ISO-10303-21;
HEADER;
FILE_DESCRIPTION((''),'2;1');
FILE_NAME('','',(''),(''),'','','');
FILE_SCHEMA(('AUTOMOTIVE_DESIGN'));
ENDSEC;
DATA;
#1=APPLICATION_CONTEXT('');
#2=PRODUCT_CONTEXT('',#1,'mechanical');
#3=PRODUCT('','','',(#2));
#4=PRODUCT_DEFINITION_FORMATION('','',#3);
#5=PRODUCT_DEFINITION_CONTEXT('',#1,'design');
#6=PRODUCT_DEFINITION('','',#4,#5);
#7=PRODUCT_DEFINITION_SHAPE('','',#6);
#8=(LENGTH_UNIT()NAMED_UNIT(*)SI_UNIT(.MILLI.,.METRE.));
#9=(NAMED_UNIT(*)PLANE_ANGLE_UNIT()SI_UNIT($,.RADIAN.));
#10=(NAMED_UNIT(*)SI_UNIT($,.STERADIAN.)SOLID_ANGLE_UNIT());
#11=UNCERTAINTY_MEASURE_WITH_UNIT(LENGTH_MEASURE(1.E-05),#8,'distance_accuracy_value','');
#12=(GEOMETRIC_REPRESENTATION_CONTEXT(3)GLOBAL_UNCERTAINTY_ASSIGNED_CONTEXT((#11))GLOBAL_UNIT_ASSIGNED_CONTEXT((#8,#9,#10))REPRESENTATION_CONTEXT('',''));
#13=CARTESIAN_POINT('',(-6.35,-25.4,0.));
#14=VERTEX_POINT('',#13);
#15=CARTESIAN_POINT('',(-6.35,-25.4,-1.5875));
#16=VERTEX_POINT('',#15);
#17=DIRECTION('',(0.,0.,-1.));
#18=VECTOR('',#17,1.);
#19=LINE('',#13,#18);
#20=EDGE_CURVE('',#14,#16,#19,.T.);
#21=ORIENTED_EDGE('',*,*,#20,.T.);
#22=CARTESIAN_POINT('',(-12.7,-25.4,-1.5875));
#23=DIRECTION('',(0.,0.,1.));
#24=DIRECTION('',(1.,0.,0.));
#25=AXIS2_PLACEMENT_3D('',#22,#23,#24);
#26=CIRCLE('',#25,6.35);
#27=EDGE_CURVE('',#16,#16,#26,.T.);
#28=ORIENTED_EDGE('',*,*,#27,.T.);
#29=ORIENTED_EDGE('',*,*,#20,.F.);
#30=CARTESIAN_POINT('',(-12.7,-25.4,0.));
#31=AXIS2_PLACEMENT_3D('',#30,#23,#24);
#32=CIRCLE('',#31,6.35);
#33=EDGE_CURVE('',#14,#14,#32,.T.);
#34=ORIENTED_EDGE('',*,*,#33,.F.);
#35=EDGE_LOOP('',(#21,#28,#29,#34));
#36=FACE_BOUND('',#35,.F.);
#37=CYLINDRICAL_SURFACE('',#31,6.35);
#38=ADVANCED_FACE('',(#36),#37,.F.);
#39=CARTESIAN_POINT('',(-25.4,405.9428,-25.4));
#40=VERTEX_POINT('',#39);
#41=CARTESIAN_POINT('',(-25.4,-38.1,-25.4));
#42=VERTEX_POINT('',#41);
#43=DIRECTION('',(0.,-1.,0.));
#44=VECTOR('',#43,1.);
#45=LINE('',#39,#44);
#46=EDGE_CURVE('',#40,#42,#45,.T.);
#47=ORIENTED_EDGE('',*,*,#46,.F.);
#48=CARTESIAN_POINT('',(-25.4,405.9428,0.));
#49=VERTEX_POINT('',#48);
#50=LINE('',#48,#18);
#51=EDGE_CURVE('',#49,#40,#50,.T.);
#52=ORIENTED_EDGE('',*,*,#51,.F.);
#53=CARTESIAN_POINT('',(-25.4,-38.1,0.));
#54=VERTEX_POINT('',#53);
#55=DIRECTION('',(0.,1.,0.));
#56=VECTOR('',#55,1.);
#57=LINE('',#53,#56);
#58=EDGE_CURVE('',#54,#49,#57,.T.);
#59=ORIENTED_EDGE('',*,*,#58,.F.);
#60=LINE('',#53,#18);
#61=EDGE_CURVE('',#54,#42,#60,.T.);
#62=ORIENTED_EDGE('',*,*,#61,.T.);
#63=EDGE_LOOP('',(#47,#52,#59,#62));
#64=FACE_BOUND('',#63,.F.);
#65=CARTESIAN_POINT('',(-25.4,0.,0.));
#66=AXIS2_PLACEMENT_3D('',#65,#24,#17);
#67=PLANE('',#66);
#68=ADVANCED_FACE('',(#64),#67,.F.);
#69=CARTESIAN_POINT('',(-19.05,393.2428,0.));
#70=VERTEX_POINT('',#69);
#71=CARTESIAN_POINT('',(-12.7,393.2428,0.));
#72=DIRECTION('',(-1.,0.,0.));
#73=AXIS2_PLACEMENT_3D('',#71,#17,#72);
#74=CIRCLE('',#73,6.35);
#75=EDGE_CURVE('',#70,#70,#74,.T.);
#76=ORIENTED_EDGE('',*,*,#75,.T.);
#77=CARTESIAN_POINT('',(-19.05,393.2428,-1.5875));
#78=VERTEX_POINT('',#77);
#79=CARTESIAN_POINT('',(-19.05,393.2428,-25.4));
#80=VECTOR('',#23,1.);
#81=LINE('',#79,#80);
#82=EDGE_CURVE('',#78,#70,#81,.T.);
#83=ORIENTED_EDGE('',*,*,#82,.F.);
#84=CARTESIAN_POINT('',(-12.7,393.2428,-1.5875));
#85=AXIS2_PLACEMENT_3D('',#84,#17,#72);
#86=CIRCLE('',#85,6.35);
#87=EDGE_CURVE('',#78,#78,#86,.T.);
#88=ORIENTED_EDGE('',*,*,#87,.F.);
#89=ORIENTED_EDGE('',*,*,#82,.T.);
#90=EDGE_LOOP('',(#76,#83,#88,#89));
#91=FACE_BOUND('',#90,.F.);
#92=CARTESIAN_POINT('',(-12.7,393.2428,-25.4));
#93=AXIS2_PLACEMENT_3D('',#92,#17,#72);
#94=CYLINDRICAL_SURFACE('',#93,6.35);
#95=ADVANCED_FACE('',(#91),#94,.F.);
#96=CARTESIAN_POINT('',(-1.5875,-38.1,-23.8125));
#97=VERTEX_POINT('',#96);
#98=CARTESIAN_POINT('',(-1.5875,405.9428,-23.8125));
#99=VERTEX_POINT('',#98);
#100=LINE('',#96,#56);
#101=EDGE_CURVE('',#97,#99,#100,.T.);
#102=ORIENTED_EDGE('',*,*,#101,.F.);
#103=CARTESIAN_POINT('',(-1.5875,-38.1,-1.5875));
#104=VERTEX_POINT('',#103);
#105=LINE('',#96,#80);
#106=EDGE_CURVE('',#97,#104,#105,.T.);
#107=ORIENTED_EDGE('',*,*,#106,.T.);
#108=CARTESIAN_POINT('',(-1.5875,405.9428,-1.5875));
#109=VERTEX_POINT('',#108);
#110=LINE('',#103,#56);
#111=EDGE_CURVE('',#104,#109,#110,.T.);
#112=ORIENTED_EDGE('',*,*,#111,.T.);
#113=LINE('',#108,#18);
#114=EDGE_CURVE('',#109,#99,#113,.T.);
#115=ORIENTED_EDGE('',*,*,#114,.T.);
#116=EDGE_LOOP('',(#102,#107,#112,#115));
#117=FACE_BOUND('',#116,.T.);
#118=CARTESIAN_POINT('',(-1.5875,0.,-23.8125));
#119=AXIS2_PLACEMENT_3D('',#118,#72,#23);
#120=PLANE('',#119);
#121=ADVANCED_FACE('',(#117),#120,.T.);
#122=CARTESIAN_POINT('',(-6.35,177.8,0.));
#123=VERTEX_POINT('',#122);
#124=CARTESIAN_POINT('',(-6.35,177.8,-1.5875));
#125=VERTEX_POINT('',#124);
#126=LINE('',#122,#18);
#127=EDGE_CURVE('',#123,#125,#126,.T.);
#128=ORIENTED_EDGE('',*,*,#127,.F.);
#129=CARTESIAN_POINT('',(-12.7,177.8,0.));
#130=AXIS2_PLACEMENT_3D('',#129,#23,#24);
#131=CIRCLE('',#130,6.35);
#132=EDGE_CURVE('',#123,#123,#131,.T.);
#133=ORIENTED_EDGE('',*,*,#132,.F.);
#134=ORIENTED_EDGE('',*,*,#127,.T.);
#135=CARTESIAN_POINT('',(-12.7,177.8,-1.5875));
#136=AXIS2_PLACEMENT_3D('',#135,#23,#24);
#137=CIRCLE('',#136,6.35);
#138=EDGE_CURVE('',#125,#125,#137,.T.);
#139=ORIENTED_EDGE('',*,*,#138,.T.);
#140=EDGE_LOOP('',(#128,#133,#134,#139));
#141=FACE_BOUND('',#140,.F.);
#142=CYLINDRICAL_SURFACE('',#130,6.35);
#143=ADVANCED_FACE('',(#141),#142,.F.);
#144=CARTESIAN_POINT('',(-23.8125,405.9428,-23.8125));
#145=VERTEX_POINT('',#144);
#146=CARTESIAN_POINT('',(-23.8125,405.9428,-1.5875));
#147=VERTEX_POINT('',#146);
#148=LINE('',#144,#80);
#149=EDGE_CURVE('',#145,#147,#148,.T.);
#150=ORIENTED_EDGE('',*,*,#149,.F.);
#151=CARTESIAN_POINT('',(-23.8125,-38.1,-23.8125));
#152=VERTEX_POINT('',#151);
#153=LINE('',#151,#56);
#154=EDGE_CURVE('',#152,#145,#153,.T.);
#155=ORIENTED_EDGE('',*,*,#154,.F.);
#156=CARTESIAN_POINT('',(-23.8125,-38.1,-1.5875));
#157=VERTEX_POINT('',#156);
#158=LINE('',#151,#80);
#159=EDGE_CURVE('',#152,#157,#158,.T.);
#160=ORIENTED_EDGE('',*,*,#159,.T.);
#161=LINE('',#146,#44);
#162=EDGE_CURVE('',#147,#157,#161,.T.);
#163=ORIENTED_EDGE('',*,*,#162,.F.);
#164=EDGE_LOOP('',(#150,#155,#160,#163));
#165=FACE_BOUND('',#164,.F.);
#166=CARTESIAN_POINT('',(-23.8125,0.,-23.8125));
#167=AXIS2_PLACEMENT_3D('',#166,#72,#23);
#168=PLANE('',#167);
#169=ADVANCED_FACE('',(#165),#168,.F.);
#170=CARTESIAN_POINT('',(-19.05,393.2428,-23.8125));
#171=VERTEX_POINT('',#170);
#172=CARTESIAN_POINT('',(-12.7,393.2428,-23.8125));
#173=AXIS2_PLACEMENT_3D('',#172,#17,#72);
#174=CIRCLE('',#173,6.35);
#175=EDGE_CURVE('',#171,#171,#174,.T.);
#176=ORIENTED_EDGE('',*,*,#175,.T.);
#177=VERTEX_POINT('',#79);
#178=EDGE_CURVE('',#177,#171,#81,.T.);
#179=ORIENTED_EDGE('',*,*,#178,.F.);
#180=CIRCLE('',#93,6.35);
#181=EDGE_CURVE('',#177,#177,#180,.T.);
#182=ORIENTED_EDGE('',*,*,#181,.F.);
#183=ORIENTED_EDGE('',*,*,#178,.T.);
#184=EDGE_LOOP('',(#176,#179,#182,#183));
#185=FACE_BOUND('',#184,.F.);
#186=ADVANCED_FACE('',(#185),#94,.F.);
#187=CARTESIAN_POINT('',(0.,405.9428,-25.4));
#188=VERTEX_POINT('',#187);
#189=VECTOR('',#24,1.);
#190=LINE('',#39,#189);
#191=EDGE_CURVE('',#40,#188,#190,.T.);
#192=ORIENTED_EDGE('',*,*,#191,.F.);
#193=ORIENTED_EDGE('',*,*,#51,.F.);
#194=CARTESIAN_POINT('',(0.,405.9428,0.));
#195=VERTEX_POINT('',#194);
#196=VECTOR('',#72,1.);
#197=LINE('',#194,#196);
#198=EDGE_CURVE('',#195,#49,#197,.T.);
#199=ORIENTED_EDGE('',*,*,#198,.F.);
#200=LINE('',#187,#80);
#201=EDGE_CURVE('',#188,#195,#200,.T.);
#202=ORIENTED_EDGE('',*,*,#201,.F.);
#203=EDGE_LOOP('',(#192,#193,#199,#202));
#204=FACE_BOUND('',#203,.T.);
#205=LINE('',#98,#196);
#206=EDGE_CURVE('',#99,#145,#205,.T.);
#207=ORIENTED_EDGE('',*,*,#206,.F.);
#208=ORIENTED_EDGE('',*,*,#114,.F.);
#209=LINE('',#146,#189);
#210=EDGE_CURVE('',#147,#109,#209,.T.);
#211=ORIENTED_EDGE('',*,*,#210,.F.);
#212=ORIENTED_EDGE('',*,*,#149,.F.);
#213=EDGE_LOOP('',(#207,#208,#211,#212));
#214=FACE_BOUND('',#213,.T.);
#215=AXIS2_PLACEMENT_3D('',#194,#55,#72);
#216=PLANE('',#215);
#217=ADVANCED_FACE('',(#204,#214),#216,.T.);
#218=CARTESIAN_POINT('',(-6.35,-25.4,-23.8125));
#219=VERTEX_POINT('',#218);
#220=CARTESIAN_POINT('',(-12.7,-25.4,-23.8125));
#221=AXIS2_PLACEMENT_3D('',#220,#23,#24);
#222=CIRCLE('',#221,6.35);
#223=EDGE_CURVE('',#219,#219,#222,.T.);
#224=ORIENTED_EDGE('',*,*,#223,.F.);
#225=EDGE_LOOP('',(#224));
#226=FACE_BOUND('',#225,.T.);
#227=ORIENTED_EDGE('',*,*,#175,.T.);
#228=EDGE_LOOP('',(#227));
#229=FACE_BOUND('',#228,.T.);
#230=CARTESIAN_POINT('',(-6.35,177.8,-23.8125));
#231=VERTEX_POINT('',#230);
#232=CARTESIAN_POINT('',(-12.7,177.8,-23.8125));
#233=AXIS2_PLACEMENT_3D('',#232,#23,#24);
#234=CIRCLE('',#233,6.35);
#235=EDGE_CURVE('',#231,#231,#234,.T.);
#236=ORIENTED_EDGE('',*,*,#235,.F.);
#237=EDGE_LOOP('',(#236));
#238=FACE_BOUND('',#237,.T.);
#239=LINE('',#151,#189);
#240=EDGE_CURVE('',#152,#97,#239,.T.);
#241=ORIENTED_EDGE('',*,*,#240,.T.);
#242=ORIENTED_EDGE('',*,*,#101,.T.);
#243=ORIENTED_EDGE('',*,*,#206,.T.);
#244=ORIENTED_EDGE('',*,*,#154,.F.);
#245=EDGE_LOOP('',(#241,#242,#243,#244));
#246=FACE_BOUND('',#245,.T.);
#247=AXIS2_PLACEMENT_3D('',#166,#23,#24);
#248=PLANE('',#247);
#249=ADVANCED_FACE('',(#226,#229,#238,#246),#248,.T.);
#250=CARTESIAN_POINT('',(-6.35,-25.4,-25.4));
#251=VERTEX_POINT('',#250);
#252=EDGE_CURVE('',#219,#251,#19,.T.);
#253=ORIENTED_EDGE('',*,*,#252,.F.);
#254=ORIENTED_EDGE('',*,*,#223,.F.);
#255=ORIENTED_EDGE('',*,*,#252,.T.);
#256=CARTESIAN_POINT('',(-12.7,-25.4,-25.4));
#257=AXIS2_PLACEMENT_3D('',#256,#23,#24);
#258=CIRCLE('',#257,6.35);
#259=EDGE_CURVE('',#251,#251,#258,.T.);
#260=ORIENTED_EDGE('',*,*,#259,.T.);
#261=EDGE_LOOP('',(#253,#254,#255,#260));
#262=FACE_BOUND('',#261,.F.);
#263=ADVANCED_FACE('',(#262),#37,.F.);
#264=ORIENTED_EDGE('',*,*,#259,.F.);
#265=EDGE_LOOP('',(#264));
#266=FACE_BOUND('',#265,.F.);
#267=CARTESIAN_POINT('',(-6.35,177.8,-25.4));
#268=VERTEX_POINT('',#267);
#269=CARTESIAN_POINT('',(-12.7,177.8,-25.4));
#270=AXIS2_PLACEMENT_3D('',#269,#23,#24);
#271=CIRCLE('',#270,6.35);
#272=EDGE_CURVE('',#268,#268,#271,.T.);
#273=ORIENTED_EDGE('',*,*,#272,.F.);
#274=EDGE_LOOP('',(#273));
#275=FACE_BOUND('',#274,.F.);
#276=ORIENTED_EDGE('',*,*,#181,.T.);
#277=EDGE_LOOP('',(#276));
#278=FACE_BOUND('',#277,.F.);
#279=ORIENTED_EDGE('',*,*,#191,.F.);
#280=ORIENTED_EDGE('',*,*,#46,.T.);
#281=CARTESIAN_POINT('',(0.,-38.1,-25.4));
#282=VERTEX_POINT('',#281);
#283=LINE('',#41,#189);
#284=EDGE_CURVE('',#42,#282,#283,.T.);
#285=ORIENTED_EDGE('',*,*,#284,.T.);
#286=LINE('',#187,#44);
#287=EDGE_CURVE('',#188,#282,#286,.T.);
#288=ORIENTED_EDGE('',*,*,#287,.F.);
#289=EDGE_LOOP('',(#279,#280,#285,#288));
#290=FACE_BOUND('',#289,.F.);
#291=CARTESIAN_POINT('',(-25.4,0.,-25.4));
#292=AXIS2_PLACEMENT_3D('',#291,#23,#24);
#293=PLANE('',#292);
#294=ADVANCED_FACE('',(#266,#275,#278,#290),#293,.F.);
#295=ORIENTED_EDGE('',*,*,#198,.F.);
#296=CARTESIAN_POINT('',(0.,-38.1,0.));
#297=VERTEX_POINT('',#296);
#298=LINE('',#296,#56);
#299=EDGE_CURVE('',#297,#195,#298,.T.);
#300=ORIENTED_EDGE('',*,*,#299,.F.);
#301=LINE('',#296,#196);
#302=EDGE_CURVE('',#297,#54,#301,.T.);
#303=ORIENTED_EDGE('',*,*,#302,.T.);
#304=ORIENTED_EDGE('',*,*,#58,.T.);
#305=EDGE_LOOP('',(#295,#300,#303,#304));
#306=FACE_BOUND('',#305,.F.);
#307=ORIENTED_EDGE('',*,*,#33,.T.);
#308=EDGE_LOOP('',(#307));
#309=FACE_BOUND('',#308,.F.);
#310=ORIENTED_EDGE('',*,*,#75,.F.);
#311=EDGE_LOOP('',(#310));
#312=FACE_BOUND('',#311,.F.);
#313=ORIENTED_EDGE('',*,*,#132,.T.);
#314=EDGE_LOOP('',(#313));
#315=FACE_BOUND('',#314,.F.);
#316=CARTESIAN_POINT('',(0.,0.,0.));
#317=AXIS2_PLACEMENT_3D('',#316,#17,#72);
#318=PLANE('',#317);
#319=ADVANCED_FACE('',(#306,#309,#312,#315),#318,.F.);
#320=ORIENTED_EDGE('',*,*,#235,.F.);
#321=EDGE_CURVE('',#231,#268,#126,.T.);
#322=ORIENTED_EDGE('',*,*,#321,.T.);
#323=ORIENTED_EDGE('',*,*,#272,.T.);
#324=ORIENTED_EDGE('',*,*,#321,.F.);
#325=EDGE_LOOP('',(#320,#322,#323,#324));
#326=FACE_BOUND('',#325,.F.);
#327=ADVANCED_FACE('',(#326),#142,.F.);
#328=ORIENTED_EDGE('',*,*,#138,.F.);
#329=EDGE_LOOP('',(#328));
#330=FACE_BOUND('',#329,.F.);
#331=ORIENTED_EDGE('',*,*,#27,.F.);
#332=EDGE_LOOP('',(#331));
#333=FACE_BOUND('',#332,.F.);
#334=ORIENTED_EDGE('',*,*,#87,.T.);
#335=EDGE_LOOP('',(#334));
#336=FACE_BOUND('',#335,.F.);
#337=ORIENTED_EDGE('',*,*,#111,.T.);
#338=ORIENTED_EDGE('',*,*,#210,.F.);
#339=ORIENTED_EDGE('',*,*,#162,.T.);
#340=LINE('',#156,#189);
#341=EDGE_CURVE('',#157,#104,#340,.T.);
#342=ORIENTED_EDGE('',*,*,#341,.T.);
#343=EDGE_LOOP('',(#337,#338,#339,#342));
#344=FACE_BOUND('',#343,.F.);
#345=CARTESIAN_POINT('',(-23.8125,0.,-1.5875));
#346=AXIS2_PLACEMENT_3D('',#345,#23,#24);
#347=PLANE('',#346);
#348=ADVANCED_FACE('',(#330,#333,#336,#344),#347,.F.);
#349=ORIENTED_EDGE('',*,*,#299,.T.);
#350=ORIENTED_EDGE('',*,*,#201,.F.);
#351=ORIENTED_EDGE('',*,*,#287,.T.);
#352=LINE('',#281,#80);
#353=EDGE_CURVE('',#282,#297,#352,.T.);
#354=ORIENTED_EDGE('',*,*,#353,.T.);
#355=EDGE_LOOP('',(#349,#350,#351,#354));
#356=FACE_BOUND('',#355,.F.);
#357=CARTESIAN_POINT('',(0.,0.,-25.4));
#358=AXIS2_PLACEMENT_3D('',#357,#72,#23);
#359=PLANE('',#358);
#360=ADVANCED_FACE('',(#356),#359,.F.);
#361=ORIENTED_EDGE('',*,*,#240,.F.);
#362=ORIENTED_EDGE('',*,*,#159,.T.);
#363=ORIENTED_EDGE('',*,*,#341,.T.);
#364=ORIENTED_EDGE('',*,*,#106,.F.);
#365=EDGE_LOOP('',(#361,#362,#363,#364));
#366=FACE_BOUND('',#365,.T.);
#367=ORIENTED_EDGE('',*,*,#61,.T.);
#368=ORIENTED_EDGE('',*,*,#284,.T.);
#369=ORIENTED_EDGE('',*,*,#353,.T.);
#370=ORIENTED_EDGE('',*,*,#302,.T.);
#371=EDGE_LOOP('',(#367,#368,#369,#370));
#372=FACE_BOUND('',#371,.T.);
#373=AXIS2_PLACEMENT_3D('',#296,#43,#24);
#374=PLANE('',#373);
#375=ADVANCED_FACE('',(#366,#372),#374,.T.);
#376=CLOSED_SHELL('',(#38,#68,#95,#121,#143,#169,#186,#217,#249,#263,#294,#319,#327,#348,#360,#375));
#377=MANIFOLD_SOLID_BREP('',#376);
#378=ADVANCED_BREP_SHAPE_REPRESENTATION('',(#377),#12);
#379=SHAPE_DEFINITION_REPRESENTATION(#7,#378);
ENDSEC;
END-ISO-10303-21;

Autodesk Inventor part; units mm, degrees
ref_plane "YZ Plane" through (0, 0, 0) normal (1, 0, 0) x (0, 1, 0)
ref_plane "XZ Plane" through (0, 0, 0) normal (0, 1, 0) x (-1, 0, 0)
ref_plane "XY Plane" through (0, 0, 0) normal (0, 0, 1) x (1, 0, 0)
sketch "Sketch1" plane through (0, 0, 0) normal (0, 1, 0) x (-1, 0, 0)
  line L0 (0, 0) -> (25.4, 0)
  line L1 (25.4, 0) -> (25.4, -25.4)
  line L2 (25.4, -25.4) -> (0, -25.4)
  line L3 (0, -25.4) -> (0, 0)
  line L4 (23.8125, -23.8125) -> (23.8125, -1.5875)
  line L5 (23.8125, -1.5875) -> (1.5875, -1.5875)
  line L6 (1.5875, -1.5875) -> (1.5875, -23.8125)
  line L7 (1.5875, -23.8125) -> (23.8125, -23.8125)
  dimension "d0" = 25.4
  dimension "d1" = 25.4
  dimension "d2" = 1.5875
extrude "Extrusion1" add sketch "Sketch1" along normal blind 405.9428
sketch "Sketch4" plane through (-25.4, 0, 0) normal (0, 0, 1) x (1, 0, 0)
  circle A0 centre (12.7, 177.8) radius 6.35
  line L0 (0, 0) -> (0, 405.9428) projected
  line L1 (25.4, 0) -> (0, 0) projected
  dimension "d13" = 12.7
  dimension "d14" = 12.7
  dimension "d15" = 177.8
extrude "Extrusion4" cut sketch "Sketch4" against normal blind 25.4
sketch "Sketch5" plane through (0, 0, 0) normal (0, -1, 0) x (1, 0, 0)
  line L0 (-25.4, -25.4) -> (0, -25.4) projected
  line L1 (0, 0) -> (-25.4, 0) projected
  line L2 (-25.4, -25.4) -> (0, -25.4)
  line L3 (0, -25.4) -> (0, 0)
  line L4 (0, 0) -> (-25.4, 0)
  line L5 (-25.4, 0) -> (-25.4, -25.4)
  line L6 (-23.8125, -1.5875) -> (-1.5875, -1.5875) projected
  line L7 (-23.8125, -23.8125) -> (-23.8125, -1.5875) projected
  line L8 (-1.5875, -1.5875) -> (-23.8125, -1.5875)
  line L9 (-23.8125, -1.5875) -> (-23.8125, -23.8125)
  line L10 (-23.8125, -23.8125) -> (-1.5875, -23.8125)
  line L11 (-1.5875, -23.8125) -> (-1.5875, -1.5875)
extrude "Extrusion5" add sketch "Sketch5" along normal blind 38.1
sketch "Sketch6" plane through (-25.4, 405.9428, 0) normal (0, 0, 1) x (1, 0, 0)
  circle A0 centre (12.7, -431.3428) radius 6.35
  line L0 (25.4, -444.0428) -> (0, -444.0428) projected
  line L1 (0, 0) -> (0, -444.0428) projected
  point P0 (25.4, -405.9428)
  dimension "d21" = 12.7
  dimension "d22" = 12.7
  dimension "d23" = 12.7
extrude "Extrusion6" cut sketch "Sketch6" against normal blind 38.1
sketch "Sketch7" plane through (0, 405.9428, -25.4) normal (0, 0, -1) x (-1, 0, 0)
  circle A0 centre (12.7, -12.7) radius 6.35
  line L0 (0, 0) -> (0, -444.0428) projected
  line L1 (25.4, -444.0428) -> (0, -444.0428) projected
  line L2 (0, 0) -> (25.4, 0) projected
  point P0 (0, -405.9428)
  dimension "d26" = 12.7
  dimension "d31" = 12.7
  dimension "d32" = 12.7
extrude "Extrusion7" cut sketch "Sketch7" against normal blind 25.4
properties part number "AP 4"
